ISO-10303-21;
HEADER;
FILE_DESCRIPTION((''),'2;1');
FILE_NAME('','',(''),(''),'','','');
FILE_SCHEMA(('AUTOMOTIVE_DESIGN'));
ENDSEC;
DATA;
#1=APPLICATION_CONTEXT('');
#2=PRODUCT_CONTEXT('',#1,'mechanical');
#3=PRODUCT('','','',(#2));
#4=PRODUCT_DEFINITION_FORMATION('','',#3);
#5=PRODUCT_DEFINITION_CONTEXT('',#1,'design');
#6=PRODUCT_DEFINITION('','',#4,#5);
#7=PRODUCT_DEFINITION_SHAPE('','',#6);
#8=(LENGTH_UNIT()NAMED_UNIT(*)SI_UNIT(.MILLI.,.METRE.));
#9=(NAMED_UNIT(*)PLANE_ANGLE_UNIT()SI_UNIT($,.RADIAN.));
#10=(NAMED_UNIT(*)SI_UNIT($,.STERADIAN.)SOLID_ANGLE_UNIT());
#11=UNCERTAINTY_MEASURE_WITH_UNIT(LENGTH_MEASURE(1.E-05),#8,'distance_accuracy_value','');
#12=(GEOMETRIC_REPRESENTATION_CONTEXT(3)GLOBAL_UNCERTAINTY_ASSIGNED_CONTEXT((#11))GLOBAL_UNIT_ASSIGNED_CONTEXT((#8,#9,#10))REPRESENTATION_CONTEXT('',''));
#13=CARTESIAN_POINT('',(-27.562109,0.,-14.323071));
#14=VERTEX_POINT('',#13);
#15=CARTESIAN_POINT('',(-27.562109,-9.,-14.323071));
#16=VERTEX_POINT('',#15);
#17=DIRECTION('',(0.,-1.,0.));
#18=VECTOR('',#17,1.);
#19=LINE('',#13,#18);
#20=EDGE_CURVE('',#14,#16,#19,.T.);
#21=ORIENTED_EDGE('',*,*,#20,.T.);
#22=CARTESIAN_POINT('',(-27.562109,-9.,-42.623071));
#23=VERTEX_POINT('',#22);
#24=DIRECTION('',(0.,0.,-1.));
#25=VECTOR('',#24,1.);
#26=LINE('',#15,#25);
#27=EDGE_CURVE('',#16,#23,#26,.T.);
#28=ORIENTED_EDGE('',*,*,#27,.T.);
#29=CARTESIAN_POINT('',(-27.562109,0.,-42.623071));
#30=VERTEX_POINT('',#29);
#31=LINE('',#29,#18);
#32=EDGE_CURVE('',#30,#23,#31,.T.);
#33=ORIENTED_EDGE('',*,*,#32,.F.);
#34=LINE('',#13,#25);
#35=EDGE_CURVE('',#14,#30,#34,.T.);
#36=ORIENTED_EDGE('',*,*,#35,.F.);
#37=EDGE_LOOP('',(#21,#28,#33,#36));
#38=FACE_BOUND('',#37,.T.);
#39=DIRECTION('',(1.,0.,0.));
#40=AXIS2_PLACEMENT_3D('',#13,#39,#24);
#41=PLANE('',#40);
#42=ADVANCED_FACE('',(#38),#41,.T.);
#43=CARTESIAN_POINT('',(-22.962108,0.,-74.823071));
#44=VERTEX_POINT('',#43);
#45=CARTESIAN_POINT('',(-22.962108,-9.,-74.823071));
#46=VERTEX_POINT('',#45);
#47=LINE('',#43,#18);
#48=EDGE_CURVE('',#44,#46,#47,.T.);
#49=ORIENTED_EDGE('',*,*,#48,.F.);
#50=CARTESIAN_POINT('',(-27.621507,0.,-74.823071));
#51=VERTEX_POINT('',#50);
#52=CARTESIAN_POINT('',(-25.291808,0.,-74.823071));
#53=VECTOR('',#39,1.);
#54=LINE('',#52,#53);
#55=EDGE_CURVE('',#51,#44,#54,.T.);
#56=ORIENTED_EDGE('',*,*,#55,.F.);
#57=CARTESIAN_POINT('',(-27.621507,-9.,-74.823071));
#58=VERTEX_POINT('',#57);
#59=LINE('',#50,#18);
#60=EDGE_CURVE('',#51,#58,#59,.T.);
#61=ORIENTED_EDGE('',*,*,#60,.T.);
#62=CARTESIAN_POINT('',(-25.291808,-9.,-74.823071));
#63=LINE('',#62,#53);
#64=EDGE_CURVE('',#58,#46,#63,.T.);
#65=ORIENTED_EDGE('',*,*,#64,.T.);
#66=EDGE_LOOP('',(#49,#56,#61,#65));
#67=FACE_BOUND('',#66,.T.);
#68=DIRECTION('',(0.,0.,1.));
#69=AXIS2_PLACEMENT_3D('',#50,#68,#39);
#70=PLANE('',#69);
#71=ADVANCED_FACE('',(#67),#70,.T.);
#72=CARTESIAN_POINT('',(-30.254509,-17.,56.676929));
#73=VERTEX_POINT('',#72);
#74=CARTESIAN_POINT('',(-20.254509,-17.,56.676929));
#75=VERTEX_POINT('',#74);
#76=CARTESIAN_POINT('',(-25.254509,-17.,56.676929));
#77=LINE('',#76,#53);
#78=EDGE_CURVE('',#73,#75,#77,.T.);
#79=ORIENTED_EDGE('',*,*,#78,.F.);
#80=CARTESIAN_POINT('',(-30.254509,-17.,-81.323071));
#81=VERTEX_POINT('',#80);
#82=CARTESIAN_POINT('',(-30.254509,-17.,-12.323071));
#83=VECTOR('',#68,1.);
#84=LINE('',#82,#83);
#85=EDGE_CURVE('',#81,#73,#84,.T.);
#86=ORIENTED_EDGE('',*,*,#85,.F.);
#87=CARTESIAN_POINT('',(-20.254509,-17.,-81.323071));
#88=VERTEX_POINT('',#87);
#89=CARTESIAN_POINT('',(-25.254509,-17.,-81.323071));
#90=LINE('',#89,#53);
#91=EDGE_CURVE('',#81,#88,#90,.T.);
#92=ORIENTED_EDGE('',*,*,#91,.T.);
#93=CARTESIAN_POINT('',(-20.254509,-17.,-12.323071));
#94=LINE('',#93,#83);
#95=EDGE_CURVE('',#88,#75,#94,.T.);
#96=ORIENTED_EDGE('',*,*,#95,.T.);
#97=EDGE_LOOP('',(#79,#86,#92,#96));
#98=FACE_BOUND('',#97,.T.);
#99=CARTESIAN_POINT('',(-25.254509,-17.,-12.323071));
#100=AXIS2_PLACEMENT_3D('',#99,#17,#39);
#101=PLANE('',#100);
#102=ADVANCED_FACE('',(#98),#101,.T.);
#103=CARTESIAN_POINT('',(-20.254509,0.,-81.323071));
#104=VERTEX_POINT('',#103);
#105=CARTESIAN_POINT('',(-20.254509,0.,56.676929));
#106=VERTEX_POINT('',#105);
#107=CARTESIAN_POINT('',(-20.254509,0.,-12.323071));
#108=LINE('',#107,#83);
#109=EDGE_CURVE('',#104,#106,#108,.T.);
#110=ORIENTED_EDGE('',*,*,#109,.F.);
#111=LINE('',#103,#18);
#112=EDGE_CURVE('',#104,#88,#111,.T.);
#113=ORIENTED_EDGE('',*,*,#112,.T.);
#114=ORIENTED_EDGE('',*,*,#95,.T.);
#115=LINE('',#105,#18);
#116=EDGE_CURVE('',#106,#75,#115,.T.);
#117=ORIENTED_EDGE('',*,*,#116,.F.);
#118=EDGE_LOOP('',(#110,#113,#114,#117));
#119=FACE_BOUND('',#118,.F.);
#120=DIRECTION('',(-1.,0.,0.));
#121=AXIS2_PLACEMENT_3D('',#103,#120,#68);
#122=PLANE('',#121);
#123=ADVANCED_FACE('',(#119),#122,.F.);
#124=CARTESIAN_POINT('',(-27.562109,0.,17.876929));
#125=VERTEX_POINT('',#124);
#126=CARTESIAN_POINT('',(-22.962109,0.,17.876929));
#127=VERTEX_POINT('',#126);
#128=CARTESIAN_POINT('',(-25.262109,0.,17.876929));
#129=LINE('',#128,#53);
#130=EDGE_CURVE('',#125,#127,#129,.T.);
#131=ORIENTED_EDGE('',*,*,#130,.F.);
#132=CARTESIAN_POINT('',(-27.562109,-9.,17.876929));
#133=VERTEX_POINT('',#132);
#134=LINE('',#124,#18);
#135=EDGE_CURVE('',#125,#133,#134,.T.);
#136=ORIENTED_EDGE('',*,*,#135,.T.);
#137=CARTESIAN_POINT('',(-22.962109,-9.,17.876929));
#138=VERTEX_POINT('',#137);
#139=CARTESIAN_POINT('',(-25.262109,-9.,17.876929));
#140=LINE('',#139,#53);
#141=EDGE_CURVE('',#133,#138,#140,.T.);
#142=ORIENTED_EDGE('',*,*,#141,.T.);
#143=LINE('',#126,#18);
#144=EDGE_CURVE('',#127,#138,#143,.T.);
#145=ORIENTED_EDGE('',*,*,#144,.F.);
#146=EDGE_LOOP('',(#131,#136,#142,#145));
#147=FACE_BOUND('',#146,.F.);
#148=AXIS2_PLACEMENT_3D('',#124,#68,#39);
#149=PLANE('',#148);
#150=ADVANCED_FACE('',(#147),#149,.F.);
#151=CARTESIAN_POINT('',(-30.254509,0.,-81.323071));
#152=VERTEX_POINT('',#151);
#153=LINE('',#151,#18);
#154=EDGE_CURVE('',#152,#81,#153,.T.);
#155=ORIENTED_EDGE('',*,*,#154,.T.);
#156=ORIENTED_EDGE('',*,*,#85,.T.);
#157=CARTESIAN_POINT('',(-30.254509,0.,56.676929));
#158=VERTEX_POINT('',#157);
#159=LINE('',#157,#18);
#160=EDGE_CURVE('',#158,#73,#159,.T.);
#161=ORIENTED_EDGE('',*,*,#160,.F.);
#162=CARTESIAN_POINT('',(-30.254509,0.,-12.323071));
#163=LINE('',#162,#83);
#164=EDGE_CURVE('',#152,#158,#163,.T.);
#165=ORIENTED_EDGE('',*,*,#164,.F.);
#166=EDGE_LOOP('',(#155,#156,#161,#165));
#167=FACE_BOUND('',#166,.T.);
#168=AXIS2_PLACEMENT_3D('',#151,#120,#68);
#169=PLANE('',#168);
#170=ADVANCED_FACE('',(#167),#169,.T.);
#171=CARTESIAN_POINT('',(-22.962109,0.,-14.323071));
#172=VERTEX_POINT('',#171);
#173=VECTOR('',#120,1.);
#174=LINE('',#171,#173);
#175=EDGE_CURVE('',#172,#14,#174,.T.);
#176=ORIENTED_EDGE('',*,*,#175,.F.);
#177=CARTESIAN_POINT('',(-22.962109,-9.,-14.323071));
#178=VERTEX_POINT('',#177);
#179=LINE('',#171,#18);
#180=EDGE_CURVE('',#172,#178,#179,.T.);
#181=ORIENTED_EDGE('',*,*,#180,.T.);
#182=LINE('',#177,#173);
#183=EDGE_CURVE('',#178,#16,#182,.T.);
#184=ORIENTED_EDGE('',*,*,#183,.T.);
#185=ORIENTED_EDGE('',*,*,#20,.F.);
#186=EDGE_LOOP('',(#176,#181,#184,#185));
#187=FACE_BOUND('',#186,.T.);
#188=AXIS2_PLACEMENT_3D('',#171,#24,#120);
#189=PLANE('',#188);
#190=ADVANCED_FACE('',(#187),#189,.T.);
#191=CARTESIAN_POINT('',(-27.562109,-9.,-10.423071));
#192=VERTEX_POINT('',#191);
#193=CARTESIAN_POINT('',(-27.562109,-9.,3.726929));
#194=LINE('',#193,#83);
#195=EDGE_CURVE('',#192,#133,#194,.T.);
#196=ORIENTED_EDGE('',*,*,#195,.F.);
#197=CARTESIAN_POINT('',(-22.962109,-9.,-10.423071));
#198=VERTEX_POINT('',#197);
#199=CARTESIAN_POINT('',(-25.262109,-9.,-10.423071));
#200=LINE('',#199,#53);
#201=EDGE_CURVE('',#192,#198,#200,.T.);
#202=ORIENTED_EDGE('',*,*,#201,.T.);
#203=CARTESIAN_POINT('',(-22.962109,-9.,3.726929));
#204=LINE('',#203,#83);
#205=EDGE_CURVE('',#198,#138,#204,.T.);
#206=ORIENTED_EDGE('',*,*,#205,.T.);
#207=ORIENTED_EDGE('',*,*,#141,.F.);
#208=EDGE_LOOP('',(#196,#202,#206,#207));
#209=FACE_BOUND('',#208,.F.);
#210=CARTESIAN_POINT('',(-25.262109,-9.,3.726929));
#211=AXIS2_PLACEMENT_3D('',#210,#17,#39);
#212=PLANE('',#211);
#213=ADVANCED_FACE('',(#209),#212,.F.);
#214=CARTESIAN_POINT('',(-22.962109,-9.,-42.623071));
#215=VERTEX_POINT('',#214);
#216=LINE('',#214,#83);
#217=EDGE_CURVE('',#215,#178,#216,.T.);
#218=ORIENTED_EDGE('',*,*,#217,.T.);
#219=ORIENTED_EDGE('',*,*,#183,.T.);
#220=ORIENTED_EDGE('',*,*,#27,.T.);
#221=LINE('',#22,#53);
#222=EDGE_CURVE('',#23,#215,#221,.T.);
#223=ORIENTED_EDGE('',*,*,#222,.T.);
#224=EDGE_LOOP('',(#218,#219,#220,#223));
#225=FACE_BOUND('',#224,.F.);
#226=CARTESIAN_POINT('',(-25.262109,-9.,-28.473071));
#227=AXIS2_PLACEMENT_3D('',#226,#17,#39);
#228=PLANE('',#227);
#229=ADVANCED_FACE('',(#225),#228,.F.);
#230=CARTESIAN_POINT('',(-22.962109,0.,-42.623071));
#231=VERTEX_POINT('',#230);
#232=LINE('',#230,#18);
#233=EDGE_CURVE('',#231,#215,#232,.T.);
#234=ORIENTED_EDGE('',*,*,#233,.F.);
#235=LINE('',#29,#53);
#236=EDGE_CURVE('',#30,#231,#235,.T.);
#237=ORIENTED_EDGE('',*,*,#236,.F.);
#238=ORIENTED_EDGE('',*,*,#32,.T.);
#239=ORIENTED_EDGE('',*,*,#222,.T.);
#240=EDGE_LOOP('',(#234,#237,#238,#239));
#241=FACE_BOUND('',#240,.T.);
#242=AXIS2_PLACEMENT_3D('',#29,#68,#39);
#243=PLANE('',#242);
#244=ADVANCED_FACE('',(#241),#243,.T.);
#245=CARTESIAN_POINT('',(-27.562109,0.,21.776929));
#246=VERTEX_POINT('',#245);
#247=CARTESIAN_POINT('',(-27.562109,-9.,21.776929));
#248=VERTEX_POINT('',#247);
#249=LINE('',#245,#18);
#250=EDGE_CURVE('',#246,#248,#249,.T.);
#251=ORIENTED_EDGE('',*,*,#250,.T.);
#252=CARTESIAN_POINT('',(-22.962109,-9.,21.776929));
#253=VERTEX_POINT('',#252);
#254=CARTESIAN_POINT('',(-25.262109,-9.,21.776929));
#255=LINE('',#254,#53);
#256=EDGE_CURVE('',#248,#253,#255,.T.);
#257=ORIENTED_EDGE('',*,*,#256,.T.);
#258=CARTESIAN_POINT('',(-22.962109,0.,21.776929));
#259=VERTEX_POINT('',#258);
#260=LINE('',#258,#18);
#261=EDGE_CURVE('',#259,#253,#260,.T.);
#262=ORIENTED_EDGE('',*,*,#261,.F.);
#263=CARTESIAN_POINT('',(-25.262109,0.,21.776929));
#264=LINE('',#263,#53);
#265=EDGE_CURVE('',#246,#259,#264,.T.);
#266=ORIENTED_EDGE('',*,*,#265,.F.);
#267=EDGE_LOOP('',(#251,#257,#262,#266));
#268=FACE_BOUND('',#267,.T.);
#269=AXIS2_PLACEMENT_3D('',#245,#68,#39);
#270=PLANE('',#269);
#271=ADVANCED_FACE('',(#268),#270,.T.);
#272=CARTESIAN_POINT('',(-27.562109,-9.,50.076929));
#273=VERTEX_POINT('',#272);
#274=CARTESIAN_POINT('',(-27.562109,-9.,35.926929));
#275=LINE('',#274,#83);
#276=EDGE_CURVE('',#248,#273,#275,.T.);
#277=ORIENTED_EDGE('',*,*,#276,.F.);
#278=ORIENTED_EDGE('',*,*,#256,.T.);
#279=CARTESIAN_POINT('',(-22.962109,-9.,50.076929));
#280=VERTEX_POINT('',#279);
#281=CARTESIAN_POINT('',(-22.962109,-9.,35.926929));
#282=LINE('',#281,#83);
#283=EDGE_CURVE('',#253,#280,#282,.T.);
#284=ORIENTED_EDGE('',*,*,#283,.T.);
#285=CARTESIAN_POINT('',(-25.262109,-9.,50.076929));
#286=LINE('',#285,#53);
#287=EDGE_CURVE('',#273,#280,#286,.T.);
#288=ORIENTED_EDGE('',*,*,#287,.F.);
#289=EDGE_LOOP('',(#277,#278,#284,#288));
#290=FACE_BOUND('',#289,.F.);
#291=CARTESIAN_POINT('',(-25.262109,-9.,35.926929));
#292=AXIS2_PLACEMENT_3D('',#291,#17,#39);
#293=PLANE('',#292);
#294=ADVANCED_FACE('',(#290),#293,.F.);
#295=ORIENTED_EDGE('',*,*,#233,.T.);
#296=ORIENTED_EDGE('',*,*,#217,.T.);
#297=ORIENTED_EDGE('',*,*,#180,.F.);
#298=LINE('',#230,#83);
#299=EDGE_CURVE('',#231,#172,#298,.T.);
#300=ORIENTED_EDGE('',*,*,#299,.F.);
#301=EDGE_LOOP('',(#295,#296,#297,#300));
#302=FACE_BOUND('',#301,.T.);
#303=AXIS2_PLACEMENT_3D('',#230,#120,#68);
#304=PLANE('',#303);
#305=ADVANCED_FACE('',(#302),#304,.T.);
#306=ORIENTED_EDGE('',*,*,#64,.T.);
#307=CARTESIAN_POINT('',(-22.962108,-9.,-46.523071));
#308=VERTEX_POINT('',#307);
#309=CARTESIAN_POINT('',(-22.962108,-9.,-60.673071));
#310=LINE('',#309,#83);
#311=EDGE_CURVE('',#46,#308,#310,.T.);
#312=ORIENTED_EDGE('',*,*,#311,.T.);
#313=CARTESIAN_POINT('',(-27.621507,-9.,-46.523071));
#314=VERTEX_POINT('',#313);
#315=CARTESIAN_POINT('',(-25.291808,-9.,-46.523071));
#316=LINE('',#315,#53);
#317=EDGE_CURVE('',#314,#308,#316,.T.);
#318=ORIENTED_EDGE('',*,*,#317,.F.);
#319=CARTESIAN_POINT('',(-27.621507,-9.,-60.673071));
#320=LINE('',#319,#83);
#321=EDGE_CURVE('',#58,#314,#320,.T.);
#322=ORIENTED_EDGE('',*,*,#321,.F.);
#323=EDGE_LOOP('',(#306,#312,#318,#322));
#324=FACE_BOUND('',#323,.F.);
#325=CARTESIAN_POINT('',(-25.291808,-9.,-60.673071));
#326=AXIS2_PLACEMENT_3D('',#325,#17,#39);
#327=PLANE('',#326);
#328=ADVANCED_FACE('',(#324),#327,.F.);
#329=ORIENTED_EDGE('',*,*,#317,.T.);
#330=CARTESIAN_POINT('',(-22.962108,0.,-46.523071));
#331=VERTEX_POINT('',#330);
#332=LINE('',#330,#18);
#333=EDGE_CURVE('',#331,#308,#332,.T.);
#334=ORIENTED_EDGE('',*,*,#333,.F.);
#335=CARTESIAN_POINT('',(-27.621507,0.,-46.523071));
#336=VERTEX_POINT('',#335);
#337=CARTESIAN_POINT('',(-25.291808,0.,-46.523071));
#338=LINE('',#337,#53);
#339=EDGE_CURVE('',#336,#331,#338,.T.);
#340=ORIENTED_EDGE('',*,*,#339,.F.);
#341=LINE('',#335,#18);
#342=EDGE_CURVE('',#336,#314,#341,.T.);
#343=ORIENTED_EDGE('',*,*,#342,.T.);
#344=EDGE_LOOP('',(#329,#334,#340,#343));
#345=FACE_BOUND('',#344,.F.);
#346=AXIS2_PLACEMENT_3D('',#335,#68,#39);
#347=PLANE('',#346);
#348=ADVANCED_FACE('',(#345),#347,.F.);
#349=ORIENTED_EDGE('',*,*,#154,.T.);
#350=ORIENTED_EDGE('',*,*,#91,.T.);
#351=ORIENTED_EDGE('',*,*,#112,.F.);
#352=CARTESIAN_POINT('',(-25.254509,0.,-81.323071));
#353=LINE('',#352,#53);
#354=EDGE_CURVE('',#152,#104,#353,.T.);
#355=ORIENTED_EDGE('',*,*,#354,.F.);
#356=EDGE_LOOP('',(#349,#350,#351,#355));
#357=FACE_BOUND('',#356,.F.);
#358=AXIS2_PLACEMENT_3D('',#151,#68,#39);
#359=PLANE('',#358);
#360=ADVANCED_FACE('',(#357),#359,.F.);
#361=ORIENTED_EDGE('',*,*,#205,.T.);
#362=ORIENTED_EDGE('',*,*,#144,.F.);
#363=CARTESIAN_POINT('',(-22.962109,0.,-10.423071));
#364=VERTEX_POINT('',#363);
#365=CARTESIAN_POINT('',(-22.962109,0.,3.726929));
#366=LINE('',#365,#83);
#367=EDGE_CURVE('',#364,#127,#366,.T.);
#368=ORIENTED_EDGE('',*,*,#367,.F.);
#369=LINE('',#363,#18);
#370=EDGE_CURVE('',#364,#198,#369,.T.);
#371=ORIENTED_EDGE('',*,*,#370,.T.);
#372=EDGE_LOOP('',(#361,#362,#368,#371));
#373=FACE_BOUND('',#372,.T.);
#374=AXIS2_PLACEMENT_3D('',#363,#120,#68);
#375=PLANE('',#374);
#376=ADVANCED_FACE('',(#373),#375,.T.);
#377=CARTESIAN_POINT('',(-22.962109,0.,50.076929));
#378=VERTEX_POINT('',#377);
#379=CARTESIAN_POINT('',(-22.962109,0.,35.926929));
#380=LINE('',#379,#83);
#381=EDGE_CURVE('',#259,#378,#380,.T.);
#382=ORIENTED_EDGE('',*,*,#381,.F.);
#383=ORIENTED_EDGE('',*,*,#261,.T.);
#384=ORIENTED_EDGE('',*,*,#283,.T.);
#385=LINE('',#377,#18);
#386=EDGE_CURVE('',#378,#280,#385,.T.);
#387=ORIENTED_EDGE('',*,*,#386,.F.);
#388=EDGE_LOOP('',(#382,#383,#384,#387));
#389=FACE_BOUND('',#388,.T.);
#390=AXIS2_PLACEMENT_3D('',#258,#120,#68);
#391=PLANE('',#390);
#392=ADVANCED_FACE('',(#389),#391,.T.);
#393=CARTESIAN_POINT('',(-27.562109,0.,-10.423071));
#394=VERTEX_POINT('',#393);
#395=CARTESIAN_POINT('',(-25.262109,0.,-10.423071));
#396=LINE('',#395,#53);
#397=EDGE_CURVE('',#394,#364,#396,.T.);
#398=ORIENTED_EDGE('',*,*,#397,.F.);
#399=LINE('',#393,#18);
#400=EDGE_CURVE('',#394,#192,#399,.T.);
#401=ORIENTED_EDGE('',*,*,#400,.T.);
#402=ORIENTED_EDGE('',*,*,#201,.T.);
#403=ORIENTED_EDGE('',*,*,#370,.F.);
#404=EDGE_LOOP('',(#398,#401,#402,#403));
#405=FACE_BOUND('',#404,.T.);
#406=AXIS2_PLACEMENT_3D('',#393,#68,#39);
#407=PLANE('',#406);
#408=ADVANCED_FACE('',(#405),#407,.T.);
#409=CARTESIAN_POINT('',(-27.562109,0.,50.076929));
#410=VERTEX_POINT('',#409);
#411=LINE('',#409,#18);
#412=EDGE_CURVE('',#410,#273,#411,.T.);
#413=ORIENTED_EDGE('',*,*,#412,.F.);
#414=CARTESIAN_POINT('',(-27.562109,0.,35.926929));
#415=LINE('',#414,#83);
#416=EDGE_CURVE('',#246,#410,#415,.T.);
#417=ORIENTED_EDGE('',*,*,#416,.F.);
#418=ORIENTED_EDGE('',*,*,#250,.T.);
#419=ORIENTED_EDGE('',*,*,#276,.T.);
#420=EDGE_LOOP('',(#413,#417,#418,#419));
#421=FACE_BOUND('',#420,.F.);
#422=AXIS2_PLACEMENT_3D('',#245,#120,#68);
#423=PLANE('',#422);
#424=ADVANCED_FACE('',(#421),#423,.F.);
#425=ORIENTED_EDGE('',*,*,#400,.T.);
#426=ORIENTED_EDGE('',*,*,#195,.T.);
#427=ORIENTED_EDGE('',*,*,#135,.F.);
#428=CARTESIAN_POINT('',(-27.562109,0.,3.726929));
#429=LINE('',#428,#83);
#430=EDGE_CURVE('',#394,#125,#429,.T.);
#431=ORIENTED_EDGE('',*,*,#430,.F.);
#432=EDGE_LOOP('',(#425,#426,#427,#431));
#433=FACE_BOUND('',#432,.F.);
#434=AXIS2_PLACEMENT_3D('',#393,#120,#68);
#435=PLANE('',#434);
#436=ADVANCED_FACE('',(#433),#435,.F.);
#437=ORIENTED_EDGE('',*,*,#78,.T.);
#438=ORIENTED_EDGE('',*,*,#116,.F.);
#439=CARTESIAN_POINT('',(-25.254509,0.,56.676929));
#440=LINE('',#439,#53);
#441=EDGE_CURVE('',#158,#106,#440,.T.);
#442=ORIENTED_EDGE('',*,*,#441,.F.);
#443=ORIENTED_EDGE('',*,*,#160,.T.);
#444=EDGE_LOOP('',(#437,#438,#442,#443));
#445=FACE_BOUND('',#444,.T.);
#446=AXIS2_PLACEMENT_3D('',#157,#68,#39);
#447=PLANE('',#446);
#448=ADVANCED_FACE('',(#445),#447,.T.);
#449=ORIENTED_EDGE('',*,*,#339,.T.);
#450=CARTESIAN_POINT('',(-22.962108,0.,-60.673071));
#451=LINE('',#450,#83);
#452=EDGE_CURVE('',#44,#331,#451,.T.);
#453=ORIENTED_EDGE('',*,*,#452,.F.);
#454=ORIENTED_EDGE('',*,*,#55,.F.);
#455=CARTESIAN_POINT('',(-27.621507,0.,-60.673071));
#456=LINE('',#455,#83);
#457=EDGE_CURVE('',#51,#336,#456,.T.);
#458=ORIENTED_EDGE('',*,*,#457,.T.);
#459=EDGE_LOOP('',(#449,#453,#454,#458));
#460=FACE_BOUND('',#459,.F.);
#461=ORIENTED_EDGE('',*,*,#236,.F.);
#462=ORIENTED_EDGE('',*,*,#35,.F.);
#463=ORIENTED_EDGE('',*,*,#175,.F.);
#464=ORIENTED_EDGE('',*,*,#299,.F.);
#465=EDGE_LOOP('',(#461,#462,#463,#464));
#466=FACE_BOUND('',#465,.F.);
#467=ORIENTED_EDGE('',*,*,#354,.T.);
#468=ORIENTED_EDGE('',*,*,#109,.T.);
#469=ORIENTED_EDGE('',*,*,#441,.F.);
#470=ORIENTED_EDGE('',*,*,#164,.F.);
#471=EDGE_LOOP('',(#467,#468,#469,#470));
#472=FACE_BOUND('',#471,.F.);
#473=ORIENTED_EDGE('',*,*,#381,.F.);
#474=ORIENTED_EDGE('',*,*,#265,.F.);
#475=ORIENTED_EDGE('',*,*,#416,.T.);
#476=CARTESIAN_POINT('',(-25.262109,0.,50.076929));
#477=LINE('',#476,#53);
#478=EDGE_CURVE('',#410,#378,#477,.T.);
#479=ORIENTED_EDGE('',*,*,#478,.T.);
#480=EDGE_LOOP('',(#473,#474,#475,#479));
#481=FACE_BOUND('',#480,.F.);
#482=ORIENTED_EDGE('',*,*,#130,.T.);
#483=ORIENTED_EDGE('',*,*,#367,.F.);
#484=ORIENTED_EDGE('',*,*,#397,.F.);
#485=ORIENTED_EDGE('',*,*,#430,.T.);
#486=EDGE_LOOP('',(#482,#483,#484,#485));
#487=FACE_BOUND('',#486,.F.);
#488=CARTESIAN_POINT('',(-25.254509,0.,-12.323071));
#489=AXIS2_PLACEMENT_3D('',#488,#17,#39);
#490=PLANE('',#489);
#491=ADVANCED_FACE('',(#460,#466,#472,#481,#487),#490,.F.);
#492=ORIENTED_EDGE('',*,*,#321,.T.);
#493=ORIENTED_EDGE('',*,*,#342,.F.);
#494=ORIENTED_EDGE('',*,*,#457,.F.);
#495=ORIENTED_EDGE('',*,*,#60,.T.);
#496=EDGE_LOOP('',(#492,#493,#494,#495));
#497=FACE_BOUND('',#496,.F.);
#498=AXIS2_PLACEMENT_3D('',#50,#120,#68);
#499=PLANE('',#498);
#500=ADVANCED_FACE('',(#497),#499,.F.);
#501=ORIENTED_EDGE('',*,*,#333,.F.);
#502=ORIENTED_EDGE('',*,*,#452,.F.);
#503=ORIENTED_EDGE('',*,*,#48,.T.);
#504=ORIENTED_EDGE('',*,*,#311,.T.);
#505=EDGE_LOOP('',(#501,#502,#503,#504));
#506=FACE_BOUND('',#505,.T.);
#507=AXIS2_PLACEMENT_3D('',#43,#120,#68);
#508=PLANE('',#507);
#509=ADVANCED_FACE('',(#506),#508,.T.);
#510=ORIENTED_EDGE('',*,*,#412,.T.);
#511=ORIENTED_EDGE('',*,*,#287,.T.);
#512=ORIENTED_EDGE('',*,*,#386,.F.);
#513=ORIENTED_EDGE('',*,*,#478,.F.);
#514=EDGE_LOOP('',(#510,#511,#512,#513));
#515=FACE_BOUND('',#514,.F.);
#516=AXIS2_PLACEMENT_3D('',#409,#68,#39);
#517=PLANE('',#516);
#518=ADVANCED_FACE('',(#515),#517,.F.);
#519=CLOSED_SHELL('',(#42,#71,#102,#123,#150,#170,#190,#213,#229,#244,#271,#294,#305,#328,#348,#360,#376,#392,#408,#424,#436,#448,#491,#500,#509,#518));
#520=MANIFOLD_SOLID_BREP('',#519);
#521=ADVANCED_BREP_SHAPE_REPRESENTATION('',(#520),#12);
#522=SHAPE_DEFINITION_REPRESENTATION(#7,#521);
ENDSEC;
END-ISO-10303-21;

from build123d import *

# Parameters (mm, degrees)
F0_W     = 10
F0_H     = 138
F0_W_2   = 4.659399
F0_H_2   = 28.3
F0_W_3   = 4.6
F1_DEPTH = 17
F2_DEPTH = 9


with BuildPart() as f1:
    # F0 (on Front) → F1 (new body)
    with BuildSketch(Plane.XZ):
        with Locations((-25.254509, -12.323071)):
            Rectangle(F0_W, F0_H)
        with Locations((-25.291808, -60.673071)):
            Rectangle(F0_W_2, F0_H_2, mode=Mode.SUBTRACT)
        Polygon((-27.562109, -41.183438), (-27.562109, -14.323071), (-22.962109, -14.323071), (-22.962109, -42.623071), (-27.562109, -42.623071), align=None, mode=Mode.SUBTRACT)
        with Locations((-25.262109, 3.726929)):
            Rectangle(F0_W_3, F0_H_2, mode=Mode.SUBTRACT)
        with Locations((-25.262109, 35.926929)):
            Rectangle(F0_W_3, F0_H_2, mode=Mode.SUBTRACT)
        with Locations((-25.262109, 35.926929)):
            Rectangle(F0_W_3, F0_H_2)
        with Locations((-25.262109, 3.726929)):
            Rectangle(F0_W_3, F0_H_2)
        Polygon((-22.962109, -14.323071), (-27.562109, -14.323071), (-27.562109, -41.183438), (-27.562109, -42.623071), (-22.962109, -42.623071), align=None)
        with Locations((-25.291808, -60.673071)):
            Rectangle(F0_W_2, F0_H_2)
    extrude(amount=F1_DEPTH)

    # F0 (on Front) → F2 (cut)
    with BuildSketch(Plane.XZ):
        with Locations((-25.262109, 35.926929)):
            Rectangle(F0_W_3, F0_H_2)
        with Locations((-25.262109, 3.726929)):
            Rectangle(F0_W_3, F0_H_2)
        Polygon((-22.962109, -14.323071), (-27.562109, -14.323071), (-27.562109, -41.183438), (-27.562109, -42.623071), (-22.962109, -42.623071), align=None)
        with Locations((-25.291808, -60.673071)):
            Rectangle(F0_W_2, F0_H_2)
    extrude(amount=F2_DEPTH, mode=Mode.SUBTRACT)


solid = f1.part
